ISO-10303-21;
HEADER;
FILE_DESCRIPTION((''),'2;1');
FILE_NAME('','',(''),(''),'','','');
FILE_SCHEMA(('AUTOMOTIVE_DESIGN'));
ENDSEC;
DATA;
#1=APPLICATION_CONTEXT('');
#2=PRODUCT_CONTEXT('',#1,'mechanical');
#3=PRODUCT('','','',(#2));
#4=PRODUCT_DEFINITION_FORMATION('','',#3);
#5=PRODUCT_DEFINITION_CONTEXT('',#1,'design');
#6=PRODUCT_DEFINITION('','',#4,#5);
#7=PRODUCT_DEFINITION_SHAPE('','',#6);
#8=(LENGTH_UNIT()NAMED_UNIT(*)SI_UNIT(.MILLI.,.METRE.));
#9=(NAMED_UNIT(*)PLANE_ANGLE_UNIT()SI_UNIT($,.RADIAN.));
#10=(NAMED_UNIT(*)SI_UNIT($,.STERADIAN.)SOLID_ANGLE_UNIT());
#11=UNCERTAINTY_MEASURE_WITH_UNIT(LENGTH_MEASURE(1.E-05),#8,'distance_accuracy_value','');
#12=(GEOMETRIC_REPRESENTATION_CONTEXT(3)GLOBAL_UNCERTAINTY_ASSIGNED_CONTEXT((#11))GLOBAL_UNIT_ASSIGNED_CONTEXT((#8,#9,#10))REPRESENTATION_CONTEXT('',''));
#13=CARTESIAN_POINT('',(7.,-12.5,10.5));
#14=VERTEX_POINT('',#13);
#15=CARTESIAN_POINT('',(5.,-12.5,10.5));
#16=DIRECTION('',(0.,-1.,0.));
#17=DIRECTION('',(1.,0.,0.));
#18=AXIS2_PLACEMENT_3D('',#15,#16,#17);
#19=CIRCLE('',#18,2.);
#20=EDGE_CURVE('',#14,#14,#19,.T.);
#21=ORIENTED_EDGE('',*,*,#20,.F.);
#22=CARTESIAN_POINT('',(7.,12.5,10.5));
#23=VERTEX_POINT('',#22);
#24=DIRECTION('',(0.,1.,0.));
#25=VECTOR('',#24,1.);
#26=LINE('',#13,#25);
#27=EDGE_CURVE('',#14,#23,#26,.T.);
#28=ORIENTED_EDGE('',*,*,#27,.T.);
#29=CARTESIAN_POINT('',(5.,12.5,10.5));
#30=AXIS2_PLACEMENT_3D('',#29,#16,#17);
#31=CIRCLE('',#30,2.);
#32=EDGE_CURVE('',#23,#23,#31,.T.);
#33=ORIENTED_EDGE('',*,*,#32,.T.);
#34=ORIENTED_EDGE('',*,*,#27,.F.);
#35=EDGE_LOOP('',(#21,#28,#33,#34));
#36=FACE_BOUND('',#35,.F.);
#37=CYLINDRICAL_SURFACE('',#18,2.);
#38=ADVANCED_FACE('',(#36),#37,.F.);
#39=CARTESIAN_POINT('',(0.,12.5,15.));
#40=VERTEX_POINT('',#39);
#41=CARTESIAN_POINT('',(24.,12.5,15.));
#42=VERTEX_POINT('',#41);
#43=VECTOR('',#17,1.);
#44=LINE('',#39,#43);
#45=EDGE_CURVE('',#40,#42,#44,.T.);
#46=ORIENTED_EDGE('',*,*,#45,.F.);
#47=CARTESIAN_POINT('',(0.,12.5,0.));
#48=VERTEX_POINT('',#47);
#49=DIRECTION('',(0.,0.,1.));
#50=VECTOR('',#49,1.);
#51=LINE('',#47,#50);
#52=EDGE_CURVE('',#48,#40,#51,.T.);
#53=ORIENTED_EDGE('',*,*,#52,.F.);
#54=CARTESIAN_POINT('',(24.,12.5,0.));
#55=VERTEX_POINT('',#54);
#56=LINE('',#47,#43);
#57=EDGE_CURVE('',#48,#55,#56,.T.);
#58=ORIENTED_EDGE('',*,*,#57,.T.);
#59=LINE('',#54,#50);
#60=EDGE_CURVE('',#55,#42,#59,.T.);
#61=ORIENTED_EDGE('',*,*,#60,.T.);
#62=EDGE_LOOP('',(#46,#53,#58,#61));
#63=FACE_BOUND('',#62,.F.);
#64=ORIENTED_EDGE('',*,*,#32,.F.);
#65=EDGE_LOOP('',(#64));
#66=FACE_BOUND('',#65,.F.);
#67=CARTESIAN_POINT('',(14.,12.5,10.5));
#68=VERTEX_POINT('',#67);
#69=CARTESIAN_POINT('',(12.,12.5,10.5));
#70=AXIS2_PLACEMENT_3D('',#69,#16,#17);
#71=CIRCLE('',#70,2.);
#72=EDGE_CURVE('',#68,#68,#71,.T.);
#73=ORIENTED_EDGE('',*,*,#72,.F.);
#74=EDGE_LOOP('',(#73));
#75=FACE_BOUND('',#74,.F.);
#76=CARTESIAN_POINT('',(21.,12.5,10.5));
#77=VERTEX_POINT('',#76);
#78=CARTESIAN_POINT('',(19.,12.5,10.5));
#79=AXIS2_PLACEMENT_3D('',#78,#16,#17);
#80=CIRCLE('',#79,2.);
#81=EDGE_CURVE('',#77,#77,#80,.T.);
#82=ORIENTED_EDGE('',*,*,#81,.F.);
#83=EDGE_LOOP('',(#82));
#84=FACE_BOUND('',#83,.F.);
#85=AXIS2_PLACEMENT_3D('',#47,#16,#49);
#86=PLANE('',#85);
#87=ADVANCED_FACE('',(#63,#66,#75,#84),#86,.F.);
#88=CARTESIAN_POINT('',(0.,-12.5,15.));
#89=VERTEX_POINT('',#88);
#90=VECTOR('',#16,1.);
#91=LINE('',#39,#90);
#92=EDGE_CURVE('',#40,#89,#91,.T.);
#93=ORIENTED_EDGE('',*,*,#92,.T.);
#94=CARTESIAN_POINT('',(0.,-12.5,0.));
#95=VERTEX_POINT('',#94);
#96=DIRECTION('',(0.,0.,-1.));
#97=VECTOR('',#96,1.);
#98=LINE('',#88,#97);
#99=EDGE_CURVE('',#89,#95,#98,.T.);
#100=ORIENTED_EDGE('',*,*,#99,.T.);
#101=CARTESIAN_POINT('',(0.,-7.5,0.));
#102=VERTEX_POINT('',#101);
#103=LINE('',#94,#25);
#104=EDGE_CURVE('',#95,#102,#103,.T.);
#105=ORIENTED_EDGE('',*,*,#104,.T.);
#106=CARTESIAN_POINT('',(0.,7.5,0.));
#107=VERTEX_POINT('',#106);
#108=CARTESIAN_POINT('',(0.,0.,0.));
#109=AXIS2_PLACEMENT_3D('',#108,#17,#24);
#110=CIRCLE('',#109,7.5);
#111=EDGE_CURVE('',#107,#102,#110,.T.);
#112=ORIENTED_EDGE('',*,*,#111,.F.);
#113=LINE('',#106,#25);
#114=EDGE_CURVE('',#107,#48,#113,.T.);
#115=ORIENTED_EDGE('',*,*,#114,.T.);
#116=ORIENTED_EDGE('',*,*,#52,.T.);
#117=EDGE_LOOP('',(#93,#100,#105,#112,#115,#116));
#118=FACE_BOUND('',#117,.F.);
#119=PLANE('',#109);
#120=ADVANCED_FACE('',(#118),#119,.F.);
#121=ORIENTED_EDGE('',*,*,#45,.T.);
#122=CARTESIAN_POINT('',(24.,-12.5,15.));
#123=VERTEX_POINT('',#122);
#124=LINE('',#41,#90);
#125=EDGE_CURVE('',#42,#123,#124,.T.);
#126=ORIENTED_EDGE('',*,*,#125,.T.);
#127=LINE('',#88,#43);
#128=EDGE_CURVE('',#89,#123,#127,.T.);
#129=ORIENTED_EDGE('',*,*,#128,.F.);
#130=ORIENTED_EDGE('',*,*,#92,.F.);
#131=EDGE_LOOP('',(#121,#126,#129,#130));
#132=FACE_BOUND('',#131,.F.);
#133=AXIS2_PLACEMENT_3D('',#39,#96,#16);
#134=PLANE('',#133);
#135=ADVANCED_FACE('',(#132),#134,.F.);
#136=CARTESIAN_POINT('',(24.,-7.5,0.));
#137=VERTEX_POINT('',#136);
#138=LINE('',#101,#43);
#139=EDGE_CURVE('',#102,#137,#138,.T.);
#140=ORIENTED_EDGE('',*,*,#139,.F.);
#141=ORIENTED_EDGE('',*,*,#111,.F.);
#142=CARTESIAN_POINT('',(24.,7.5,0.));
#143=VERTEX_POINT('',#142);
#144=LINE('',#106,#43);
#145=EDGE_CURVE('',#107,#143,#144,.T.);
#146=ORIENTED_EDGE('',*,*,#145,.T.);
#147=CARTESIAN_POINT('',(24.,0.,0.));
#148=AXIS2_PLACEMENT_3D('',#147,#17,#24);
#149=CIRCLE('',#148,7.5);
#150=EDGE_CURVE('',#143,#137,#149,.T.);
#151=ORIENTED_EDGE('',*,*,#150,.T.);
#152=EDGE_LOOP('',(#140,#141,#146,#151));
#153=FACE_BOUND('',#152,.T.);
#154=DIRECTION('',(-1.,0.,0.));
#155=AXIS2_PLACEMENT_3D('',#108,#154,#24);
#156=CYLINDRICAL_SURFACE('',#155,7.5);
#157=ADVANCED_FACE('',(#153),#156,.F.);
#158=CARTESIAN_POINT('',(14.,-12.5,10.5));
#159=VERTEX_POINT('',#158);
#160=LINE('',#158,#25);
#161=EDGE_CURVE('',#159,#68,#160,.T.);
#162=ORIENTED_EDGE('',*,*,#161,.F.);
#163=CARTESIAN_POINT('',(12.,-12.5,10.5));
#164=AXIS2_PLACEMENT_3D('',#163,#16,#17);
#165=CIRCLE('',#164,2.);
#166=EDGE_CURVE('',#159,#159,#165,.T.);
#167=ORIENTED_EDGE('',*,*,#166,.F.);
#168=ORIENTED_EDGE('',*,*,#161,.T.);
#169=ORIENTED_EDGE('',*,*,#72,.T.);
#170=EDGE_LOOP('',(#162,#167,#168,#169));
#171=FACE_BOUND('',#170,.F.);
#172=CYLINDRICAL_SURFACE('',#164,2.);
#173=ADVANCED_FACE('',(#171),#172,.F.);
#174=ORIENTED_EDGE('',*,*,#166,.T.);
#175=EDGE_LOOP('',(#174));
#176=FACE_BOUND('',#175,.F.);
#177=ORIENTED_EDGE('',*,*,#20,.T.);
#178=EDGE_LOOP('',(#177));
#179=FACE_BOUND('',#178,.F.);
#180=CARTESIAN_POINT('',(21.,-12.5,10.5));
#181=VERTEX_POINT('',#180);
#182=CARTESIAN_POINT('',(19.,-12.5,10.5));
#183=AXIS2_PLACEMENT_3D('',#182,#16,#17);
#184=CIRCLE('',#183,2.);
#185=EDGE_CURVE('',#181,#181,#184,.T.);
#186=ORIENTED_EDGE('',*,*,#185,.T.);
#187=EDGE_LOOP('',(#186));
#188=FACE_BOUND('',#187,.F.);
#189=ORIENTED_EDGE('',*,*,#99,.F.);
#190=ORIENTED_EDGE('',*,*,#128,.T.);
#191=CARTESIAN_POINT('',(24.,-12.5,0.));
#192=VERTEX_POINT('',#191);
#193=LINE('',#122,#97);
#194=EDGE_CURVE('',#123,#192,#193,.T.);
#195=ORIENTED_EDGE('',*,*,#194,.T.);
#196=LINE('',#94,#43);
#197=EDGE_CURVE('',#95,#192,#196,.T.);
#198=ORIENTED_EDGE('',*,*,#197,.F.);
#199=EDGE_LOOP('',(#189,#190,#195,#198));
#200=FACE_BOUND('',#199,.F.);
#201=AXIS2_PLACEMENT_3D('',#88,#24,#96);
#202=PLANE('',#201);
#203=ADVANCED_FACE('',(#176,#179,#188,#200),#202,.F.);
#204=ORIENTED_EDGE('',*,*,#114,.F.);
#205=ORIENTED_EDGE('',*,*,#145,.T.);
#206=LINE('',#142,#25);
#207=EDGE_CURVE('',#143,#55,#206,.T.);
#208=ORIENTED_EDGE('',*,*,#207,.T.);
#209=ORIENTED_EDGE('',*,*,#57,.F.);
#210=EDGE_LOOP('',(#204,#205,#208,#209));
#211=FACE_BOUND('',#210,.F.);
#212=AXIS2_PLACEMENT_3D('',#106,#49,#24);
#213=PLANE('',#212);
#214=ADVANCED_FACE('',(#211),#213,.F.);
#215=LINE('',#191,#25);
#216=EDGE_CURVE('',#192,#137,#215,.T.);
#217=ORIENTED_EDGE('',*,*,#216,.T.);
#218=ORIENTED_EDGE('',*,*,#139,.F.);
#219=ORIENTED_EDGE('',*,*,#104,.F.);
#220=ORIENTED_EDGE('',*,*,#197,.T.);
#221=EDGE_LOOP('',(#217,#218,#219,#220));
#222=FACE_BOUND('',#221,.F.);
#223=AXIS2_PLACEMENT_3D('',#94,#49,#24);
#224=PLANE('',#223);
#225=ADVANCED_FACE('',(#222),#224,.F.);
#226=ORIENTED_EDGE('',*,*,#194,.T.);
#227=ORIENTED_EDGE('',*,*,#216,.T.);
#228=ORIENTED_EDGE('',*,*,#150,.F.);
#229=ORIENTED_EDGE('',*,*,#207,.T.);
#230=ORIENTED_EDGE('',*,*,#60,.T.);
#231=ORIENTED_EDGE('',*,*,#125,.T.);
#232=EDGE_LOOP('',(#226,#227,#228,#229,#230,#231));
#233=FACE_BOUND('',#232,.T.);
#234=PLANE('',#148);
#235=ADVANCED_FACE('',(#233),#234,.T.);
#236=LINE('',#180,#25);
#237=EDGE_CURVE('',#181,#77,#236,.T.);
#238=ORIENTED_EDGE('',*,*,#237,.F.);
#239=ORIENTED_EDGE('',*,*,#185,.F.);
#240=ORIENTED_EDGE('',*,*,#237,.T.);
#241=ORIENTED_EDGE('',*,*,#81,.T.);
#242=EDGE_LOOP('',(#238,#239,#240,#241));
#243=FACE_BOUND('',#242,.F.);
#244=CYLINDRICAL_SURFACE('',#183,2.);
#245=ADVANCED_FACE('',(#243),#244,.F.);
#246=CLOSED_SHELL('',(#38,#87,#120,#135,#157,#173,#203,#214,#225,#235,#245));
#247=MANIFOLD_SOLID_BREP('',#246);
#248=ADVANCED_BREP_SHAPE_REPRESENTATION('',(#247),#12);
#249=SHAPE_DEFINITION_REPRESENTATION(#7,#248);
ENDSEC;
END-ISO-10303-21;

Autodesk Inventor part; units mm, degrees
ref_plane "YZ Plane" through (0, 0, 0) normal (1, 0, 0) x (0, 1, 0)
ref_plane "XZ Plane" through (0, 0, 0) normal (0, 1, 0) x (-1, 0, 0)
ref_plane "XY Plane" through (0, 0, 0) normal (0, 0, 1) x (1, 0, 0)
sketch "Sketch1" plane through (0, 0, 0) normal (1, 0, 0) x (0, 1, 0)
  arc A0 (7.5, 0) -> (-7.5, 0) centre (0, 0) ccw
  line L0 (7.5, 0) -> (12.5, 0)
  line L1 (12.5, 0) -> (12.5, 15)
  line L2 (12.5, 15) -> (-12.5, 15)
  line L3 (-12.5, 15) -> (-12.5, 0)
  line L4 (-12.5, 0) -> (-7.5, 0)
  dimension "d0" = 15
  dimension "d1" = 12.5
  dimension "d2" = 15
  dimension "d3" = 25
extrude "Extrusion1" add sketch "Sketch1" along normal blind 24
sketch "Sketch2" plane through (0, -12.5, 0) normal (0, -1, 0) x (1, 0, 0)
  circle A0 centre (5, 10.5) radius 2
  circle A1 centre (12, 10.5) radius 2
  circle A2 centre (19, 10.5) radius 2
  dimension "d11" = 4
extrude "Extrusion2" cut sketch "Sketch2" against normal blind 25
properties part number "Y_RodClam_Bed" material "Birch"
